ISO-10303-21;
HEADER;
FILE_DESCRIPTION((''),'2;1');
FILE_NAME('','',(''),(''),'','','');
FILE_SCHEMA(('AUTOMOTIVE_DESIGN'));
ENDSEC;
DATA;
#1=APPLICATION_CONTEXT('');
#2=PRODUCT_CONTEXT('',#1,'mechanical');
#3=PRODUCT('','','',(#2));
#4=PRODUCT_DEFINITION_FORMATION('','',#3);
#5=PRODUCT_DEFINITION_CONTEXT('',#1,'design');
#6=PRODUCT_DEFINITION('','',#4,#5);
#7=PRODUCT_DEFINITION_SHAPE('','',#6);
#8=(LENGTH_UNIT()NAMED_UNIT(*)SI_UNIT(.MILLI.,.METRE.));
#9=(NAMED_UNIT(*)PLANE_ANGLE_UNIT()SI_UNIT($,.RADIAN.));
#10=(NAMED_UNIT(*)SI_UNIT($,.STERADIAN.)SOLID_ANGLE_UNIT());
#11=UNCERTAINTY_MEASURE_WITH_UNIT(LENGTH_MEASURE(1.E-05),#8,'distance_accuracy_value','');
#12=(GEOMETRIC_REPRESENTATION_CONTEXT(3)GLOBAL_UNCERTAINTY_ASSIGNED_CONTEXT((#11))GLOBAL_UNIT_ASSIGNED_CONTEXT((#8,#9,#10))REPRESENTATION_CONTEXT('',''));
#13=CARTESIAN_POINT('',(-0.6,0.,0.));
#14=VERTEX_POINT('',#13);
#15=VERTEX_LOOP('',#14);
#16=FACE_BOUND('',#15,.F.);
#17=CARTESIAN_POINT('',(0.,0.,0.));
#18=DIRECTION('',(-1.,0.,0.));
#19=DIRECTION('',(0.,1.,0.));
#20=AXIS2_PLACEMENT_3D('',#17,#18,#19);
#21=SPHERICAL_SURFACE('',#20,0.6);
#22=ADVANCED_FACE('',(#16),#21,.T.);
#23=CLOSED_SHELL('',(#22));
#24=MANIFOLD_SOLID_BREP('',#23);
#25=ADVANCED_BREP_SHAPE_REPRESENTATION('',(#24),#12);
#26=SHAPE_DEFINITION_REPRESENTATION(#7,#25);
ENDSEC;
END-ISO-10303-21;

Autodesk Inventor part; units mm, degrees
sketch "Sketch_1" plane through (0, 0, 0) normal (0, 0, 1) x (1, 0, 0)
  line L0 (0.6, 0) -> (-0.6, 0)
  arc A0 (0.6, 0) -> (-0.6, 0) centre (0, 0) ccw
  line L1 (0.6, 0) -> (-0.6, 0)
revolve "Revolution1" add sketch "Sketch_1" angle 360 about axis through (0.6, 0, 0) along (1, 0, 0)
ref_plane "ball_XY" through (0, 0, 0) normal (1, 0, 0) x (0, 0, -1)
ref_plane "ball_YZ" through (0, 0, 0) normal (0, 0, -1) x (0, 1, 0)
ref_plane "ball_ZX" through (0, 0, 0) normal (0, 1, 0) x (1, 0, 0)
properties part number "WML5010ZZ Ball"
